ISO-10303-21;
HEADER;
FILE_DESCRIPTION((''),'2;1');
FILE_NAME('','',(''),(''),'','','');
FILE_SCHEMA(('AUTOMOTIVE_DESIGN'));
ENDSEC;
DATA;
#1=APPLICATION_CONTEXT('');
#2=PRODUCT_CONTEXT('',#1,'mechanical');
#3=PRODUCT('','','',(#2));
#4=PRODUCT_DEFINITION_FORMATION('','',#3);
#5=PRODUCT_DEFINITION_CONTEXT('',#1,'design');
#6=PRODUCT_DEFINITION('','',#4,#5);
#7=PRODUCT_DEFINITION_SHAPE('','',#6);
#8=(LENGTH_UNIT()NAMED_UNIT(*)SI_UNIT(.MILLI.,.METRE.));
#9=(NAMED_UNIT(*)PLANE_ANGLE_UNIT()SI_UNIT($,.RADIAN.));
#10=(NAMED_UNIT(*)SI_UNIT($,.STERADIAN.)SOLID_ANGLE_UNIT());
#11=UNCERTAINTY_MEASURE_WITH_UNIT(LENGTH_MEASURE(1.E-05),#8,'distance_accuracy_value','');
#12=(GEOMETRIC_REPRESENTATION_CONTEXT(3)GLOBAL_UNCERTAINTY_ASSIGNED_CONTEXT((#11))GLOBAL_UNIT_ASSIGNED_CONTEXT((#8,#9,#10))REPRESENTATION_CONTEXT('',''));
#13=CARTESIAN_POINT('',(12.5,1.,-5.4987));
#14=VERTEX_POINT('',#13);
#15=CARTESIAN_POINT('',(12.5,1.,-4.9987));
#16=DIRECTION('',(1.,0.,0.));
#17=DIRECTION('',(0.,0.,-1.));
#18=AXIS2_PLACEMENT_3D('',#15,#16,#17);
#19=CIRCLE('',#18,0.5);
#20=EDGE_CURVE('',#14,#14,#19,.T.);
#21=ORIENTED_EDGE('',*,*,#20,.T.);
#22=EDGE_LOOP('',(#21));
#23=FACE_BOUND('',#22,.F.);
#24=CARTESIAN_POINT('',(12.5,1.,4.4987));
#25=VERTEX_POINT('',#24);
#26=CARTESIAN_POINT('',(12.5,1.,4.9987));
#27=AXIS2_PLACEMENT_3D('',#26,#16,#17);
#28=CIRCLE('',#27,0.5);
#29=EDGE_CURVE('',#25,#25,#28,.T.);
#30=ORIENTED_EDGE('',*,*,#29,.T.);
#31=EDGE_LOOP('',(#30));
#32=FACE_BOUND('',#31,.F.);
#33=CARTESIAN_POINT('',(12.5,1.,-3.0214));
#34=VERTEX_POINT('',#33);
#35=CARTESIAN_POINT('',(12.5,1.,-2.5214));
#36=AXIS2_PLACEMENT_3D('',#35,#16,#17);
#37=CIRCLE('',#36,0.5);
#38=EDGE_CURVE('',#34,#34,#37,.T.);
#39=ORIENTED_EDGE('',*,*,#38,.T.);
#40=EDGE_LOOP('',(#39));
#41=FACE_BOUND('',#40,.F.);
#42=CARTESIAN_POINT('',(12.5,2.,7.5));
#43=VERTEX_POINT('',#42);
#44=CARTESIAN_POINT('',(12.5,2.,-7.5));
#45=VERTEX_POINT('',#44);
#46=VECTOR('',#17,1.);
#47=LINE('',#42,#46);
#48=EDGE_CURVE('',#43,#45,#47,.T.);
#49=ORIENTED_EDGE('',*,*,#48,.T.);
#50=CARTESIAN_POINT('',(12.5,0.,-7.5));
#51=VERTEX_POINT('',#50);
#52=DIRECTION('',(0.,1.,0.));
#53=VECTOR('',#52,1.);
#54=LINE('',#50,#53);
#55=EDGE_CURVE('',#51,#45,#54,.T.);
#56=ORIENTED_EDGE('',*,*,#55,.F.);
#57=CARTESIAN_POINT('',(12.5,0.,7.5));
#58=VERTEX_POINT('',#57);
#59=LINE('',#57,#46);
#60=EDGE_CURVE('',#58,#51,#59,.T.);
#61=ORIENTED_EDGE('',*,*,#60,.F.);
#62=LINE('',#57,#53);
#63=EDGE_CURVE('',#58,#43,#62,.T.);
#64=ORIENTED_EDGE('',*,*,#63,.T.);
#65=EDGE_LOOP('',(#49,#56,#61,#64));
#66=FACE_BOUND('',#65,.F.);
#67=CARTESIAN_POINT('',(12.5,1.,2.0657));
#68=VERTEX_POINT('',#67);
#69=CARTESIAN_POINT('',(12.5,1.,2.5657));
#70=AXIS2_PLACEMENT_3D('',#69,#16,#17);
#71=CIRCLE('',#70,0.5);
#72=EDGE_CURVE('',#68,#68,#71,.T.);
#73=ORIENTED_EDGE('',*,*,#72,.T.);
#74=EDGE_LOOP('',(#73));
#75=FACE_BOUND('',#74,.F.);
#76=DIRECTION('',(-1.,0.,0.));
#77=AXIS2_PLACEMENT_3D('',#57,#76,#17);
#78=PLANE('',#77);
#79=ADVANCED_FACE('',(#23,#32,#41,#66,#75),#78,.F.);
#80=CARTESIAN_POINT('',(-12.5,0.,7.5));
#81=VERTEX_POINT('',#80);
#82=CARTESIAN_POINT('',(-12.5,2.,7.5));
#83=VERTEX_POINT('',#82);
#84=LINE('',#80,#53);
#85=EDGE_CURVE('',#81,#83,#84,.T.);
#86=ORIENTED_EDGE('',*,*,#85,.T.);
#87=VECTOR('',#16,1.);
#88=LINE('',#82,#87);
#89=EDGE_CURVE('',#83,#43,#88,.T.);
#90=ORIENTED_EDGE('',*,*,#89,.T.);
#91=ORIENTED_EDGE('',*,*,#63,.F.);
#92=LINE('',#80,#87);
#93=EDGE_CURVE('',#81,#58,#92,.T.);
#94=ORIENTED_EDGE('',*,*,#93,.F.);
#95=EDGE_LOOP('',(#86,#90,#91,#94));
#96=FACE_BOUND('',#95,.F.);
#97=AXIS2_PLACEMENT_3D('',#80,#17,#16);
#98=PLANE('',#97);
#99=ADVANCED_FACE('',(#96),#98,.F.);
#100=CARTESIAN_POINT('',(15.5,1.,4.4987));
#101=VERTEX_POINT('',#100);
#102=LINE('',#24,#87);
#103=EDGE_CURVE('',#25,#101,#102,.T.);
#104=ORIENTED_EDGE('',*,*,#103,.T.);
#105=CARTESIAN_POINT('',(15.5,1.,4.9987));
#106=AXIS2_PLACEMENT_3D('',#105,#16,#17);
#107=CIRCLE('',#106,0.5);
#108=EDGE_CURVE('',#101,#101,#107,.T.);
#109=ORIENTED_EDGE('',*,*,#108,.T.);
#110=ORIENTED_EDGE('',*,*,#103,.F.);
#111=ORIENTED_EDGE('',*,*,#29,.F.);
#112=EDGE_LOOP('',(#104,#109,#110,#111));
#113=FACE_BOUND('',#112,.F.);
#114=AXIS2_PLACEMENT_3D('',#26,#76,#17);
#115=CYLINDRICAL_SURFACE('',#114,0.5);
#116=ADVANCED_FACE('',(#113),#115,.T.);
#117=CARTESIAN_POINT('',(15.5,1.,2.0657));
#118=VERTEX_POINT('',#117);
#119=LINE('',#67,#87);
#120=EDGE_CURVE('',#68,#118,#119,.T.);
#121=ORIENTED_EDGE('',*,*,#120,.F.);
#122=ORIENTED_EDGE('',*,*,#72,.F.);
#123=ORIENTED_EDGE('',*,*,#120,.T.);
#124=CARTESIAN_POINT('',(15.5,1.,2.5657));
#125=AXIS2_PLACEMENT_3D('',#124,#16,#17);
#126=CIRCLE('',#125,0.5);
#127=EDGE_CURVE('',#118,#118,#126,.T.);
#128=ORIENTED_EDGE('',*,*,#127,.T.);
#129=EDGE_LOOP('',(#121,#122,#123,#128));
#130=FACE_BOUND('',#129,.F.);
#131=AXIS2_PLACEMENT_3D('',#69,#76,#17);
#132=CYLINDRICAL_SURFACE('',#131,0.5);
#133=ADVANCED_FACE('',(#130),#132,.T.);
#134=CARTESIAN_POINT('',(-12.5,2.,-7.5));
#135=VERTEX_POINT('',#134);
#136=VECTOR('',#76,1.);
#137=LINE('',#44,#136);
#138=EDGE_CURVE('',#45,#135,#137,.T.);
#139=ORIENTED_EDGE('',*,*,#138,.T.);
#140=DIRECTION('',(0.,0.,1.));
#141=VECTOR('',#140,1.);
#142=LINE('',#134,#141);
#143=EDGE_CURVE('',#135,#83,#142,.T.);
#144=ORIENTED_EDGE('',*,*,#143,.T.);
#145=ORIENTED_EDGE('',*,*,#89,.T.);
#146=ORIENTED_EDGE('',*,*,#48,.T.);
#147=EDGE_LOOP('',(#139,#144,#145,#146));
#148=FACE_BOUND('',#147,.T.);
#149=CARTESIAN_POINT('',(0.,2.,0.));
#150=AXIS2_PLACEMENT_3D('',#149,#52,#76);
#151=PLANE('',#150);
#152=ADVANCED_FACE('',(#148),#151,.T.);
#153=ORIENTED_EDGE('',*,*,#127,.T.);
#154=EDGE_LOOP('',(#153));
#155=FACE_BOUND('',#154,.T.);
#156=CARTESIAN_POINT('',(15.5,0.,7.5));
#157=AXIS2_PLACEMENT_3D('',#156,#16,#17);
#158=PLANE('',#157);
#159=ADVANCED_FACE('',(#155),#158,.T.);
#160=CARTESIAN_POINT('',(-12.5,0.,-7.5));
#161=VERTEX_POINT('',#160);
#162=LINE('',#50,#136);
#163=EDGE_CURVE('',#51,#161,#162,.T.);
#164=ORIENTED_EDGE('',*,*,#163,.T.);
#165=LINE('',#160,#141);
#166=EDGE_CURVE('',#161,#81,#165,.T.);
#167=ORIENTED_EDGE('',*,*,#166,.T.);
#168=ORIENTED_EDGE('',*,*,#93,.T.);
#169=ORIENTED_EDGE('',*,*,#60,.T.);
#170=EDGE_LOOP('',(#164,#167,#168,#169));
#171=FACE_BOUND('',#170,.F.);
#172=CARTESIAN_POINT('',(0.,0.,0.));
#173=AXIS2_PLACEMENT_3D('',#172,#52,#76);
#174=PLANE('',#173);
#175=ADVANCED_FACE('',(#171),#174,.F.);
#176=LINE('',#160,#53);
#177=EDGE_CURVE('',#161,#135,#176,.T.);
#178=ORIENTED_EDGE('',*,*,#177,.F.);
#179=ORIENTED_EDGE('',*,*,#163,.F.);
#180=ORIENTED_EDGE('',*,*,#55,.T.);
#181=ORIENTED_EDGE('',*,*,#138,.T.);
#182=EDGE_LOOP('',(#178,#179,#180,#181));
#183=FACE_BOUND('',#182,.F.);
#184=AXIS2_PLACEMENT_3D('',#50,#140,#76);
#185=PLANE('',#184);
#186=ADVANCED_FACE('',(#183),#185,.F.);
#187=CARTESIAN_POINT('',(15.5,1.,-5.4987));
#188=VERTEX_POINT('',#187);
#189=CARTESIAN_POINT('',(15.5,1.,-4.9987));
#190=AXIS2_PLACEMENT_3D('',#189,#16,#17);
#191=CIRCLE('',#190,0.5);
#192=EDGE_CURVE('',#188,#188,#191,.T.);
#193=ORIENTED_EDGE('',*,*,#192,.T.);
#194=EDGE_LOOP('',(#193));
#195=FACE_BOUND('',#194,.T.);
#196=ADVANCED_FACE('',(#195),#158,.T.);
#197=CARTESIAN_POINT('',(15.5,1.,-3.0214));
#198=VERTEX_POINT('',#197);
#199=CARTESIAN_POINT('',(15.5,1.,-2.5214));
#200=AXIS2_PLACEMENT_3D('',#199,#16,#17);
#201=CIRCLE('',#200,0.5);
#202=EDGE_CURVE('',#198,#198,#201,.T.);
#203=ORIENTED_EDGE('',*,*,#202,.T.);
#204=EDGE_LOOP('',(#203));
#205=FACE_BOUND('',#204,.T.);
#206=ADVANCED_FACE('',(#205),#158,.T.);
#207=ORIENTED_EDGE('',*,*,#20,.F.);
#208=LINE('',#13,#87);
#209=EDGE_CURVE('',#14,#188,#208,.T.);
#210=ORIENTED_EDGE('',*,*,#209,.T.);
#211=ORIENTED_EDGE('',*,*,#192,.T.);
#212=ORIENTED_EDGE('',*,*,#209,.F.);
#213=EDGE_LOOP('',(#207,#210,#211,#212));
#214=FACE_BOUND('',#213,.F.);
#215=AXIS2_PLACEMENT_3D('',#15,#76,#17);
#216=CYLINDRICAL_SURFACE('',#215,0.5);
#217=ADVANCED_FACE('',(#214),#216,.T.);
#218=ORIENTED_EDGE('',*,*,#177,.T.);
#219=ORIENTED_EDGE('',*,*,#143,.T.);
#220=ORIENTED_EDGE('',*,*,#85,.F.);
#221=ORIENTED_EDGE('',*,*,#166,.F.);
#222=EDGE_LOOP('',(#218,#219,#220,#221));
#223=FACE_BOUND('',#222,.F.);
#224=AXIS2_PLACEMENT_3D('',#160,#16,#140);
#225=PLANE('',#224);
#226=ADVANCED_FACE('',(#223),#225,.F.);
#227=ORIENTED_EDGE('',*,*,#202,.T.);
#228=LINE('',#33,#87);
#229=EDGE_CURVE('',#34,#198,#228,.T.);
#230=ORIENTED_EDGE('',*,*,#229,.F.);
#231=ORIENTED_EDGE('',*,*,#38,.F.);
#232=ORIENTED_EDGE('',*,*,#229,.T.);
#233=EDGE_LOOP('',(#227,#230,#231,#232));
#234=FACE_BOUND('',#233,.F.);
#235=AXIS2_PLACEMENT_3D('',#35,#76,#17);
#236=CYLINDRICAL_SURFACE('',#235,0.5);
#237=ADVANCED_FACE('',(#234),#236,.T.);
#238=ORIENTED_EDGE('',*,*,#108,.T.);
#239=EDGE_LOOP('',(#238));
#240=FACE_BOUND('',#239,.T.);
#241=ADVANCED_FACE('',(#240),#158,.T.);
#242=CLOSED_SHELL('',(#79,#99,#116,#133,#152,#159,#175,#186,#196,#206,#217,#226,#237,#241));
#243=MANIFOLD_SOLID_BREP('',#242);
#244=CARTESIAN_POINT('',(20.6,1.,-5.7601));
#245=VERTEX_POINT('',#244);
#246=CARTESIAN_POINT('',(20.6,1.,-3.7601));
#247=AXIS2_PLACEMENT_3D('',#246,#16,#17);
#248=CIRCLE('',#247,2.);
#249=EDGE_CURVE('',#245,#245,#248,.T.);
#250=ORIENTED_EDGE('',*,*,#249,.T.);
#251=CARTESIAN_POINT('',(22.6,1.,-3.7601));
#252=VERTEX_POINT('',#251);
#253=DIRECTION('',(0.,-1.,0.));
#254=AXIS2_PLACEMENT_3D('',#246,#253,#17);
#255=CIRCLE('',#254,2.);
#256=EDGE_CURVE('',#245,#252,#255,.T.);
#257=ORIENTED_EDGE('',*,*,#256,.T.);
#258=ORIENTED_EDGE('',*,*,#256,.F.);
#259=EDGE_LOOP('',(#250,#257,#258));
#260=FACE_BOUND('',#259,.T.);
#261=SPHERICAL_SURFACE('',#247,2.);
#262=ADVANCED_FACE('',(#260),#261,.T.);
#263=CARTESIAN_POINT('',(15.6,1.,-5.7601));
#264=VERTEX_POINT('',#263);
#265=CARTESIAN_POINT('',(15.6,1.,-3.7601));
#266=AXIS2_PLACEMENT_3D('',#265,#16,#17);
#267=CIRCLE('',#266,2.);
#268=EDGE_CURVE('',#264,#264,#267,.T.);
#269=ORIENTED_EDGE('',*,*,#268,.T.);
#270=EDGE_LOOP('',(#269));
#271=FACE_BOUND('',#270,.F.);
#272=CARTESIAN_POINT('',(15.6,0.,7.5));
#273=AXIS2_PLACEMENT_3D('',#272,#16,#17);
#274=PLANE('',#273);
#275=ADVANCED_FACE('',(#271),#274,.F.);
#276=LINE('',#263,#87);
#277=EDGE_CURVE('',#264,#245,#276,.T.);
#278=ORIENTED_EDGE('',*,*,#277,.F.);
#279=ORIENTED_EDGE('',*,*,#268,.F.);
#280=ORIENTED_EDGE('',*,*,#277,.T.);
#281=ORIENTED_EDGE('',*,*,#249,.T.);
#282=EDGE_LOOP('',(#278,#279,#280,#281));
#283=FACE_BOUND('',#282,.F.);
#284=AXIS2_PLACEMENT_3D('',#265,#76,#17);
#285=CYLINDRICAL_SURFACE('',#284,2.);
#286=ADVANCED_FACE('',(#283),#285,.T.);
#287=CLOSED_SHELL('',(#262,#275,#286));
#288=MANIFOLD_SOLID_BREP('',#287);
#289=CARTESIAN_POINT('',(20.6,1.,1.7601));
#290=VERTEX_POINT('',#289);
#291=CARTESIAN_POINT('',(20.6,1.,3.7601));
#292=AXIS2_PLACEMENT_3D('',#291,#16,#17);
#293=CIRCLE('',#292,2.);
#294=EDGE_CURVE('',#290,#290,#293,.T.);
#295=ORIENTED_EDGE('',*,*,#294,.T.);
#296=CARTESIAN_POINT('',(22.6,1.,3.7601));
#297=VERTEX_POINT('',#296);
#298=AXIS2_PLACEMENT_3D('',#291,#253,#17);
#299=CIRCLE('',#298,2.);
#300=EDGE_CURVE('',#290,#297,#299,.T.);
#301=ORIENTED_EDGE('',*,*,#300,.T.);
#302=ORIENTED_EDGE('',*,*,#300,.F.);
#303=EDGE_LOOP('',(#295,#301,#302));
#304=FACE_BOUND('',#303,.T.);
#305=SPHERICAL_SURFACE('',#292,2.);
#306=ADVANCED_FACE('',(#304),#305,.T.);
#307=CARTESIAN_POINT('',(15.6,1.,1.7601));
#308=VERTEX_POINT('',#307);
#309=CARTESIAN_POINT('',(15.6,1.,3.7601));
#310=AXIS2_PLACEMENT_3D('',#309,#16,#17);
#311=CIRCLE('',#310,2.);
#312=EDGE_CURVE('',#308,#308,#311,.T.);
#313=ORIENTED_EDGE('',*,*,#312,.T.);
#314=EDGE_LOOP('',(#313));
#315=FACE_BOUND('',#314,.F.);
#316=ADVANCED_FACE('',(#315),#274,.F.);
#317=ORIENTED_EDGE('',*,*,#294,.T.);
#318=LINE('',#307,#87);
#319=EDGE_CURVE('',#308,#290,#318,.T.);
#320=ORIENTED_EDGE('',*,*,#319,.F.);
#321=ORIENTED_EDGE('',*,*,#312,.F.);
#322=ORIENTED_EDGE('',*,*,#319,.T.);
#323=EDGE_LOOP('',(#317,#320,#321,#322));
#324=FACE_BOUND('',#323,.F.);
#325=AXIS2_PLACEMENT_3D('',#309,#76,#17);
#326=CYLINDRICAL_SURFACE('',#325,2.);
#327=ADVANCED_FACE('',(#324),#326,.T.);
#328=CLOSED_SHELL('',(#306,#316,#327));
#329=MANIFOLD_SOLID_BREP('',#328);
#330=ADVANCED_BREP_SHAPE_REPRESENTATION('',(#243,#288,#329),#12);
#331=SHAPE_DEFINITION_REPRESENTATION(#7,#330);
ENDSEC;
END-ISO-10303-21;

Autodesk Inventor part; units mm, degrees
ref_plane "YZ Plane" through (0, 0, 0) normal (1, 0, 0) x (0, 1, 0)
ref_plane "XZ Plane" through (0, 0, 0) normal (0, 1, 0) x (-1, 0, 0)
ref_plane "XY Plane" through (0, 0, 0) normal (0, 0, 1) x (1, 0, 0)
sketch "Sketch1" plane through (0, 0, 0) normal (0, 1, 0) x (-1, 0, 0)
  line L0 (12.5, 7.5) -> (-12.5, 7.5)
  line L1 (-12.5, 7.5) -> (-12.5, -7.5)
  line L2 (-12.5, -7.5) -> (12.5, -7.5)
  line L3 (12.5, -7.5) -> (12.5, 7.5)
  line L4 (12.5, 7.5) -> (-12.5, -7.5) construction
  line L5 (-12.5, 7.5) -> (12.5, -7.5) construction
  point P0 (0, 0)
  dimension "d0" = 25
  dimension "d1" = 15
extrude "Extrusion1" add sketch "Sketch1" along normal blind 2
sketch "Sketch2" plane through (12.5, 0, 7.5) normal (1, 0, 0) x (0, 0, -1)
  circle A0 centre (2.5013, 1) radius 0.5
  circle A1 centre (4.9343, 1) radius 0.5
  circle A2 centre (10.0214, 1) radius 0.5
  circle A3 centre (12.4987, 1) radius 0.5
  point P0 (7.5, 0)
  dimension "d4" = 1
  dimension "d5" = 1
  dimension "d6" = 1
  dimension "d7" = 1
extrude "Extrusion2" add sketch "Sketch2" along normal blind 3
ref_plane "Work Plane1" through (15.6, 0, 7.5) normal (1, 0, 0) x (0, 0, -1)
sketch "Sketch4" plane through (15.6, 0, 7.5) normal (1, 0, 0) x (0, 0, -1)
  circle A0 centre (3.7399, 1) radius 2
  circle A1 centre (11.2601, 1) radius 2
  point P0 (7.5, 0)
  dimension "d11" = 4
  dimension "d12" = 4
extrude "Extrusion3" add sketch "Sketch4" along normal blind 7
sketch "Sketch5" plane through (22.6, 1, 3.7601) normal (1, 0, 0) x (0, 0, -1)
  point P0 (3.7601, -1)
fillet "Fillet1" radius 2 1 edges at (22.6, 1, 5.7601)
fillet "Fillet2" radius 2 1 edges at (22.6, 1, -1.7601)
sketch "Sketch6" plane through (0, 2, 0) normal (0, 1, 0) x (1, 0, 0)
  point P0 (0, 0)
properties part number "IR Sensor"
